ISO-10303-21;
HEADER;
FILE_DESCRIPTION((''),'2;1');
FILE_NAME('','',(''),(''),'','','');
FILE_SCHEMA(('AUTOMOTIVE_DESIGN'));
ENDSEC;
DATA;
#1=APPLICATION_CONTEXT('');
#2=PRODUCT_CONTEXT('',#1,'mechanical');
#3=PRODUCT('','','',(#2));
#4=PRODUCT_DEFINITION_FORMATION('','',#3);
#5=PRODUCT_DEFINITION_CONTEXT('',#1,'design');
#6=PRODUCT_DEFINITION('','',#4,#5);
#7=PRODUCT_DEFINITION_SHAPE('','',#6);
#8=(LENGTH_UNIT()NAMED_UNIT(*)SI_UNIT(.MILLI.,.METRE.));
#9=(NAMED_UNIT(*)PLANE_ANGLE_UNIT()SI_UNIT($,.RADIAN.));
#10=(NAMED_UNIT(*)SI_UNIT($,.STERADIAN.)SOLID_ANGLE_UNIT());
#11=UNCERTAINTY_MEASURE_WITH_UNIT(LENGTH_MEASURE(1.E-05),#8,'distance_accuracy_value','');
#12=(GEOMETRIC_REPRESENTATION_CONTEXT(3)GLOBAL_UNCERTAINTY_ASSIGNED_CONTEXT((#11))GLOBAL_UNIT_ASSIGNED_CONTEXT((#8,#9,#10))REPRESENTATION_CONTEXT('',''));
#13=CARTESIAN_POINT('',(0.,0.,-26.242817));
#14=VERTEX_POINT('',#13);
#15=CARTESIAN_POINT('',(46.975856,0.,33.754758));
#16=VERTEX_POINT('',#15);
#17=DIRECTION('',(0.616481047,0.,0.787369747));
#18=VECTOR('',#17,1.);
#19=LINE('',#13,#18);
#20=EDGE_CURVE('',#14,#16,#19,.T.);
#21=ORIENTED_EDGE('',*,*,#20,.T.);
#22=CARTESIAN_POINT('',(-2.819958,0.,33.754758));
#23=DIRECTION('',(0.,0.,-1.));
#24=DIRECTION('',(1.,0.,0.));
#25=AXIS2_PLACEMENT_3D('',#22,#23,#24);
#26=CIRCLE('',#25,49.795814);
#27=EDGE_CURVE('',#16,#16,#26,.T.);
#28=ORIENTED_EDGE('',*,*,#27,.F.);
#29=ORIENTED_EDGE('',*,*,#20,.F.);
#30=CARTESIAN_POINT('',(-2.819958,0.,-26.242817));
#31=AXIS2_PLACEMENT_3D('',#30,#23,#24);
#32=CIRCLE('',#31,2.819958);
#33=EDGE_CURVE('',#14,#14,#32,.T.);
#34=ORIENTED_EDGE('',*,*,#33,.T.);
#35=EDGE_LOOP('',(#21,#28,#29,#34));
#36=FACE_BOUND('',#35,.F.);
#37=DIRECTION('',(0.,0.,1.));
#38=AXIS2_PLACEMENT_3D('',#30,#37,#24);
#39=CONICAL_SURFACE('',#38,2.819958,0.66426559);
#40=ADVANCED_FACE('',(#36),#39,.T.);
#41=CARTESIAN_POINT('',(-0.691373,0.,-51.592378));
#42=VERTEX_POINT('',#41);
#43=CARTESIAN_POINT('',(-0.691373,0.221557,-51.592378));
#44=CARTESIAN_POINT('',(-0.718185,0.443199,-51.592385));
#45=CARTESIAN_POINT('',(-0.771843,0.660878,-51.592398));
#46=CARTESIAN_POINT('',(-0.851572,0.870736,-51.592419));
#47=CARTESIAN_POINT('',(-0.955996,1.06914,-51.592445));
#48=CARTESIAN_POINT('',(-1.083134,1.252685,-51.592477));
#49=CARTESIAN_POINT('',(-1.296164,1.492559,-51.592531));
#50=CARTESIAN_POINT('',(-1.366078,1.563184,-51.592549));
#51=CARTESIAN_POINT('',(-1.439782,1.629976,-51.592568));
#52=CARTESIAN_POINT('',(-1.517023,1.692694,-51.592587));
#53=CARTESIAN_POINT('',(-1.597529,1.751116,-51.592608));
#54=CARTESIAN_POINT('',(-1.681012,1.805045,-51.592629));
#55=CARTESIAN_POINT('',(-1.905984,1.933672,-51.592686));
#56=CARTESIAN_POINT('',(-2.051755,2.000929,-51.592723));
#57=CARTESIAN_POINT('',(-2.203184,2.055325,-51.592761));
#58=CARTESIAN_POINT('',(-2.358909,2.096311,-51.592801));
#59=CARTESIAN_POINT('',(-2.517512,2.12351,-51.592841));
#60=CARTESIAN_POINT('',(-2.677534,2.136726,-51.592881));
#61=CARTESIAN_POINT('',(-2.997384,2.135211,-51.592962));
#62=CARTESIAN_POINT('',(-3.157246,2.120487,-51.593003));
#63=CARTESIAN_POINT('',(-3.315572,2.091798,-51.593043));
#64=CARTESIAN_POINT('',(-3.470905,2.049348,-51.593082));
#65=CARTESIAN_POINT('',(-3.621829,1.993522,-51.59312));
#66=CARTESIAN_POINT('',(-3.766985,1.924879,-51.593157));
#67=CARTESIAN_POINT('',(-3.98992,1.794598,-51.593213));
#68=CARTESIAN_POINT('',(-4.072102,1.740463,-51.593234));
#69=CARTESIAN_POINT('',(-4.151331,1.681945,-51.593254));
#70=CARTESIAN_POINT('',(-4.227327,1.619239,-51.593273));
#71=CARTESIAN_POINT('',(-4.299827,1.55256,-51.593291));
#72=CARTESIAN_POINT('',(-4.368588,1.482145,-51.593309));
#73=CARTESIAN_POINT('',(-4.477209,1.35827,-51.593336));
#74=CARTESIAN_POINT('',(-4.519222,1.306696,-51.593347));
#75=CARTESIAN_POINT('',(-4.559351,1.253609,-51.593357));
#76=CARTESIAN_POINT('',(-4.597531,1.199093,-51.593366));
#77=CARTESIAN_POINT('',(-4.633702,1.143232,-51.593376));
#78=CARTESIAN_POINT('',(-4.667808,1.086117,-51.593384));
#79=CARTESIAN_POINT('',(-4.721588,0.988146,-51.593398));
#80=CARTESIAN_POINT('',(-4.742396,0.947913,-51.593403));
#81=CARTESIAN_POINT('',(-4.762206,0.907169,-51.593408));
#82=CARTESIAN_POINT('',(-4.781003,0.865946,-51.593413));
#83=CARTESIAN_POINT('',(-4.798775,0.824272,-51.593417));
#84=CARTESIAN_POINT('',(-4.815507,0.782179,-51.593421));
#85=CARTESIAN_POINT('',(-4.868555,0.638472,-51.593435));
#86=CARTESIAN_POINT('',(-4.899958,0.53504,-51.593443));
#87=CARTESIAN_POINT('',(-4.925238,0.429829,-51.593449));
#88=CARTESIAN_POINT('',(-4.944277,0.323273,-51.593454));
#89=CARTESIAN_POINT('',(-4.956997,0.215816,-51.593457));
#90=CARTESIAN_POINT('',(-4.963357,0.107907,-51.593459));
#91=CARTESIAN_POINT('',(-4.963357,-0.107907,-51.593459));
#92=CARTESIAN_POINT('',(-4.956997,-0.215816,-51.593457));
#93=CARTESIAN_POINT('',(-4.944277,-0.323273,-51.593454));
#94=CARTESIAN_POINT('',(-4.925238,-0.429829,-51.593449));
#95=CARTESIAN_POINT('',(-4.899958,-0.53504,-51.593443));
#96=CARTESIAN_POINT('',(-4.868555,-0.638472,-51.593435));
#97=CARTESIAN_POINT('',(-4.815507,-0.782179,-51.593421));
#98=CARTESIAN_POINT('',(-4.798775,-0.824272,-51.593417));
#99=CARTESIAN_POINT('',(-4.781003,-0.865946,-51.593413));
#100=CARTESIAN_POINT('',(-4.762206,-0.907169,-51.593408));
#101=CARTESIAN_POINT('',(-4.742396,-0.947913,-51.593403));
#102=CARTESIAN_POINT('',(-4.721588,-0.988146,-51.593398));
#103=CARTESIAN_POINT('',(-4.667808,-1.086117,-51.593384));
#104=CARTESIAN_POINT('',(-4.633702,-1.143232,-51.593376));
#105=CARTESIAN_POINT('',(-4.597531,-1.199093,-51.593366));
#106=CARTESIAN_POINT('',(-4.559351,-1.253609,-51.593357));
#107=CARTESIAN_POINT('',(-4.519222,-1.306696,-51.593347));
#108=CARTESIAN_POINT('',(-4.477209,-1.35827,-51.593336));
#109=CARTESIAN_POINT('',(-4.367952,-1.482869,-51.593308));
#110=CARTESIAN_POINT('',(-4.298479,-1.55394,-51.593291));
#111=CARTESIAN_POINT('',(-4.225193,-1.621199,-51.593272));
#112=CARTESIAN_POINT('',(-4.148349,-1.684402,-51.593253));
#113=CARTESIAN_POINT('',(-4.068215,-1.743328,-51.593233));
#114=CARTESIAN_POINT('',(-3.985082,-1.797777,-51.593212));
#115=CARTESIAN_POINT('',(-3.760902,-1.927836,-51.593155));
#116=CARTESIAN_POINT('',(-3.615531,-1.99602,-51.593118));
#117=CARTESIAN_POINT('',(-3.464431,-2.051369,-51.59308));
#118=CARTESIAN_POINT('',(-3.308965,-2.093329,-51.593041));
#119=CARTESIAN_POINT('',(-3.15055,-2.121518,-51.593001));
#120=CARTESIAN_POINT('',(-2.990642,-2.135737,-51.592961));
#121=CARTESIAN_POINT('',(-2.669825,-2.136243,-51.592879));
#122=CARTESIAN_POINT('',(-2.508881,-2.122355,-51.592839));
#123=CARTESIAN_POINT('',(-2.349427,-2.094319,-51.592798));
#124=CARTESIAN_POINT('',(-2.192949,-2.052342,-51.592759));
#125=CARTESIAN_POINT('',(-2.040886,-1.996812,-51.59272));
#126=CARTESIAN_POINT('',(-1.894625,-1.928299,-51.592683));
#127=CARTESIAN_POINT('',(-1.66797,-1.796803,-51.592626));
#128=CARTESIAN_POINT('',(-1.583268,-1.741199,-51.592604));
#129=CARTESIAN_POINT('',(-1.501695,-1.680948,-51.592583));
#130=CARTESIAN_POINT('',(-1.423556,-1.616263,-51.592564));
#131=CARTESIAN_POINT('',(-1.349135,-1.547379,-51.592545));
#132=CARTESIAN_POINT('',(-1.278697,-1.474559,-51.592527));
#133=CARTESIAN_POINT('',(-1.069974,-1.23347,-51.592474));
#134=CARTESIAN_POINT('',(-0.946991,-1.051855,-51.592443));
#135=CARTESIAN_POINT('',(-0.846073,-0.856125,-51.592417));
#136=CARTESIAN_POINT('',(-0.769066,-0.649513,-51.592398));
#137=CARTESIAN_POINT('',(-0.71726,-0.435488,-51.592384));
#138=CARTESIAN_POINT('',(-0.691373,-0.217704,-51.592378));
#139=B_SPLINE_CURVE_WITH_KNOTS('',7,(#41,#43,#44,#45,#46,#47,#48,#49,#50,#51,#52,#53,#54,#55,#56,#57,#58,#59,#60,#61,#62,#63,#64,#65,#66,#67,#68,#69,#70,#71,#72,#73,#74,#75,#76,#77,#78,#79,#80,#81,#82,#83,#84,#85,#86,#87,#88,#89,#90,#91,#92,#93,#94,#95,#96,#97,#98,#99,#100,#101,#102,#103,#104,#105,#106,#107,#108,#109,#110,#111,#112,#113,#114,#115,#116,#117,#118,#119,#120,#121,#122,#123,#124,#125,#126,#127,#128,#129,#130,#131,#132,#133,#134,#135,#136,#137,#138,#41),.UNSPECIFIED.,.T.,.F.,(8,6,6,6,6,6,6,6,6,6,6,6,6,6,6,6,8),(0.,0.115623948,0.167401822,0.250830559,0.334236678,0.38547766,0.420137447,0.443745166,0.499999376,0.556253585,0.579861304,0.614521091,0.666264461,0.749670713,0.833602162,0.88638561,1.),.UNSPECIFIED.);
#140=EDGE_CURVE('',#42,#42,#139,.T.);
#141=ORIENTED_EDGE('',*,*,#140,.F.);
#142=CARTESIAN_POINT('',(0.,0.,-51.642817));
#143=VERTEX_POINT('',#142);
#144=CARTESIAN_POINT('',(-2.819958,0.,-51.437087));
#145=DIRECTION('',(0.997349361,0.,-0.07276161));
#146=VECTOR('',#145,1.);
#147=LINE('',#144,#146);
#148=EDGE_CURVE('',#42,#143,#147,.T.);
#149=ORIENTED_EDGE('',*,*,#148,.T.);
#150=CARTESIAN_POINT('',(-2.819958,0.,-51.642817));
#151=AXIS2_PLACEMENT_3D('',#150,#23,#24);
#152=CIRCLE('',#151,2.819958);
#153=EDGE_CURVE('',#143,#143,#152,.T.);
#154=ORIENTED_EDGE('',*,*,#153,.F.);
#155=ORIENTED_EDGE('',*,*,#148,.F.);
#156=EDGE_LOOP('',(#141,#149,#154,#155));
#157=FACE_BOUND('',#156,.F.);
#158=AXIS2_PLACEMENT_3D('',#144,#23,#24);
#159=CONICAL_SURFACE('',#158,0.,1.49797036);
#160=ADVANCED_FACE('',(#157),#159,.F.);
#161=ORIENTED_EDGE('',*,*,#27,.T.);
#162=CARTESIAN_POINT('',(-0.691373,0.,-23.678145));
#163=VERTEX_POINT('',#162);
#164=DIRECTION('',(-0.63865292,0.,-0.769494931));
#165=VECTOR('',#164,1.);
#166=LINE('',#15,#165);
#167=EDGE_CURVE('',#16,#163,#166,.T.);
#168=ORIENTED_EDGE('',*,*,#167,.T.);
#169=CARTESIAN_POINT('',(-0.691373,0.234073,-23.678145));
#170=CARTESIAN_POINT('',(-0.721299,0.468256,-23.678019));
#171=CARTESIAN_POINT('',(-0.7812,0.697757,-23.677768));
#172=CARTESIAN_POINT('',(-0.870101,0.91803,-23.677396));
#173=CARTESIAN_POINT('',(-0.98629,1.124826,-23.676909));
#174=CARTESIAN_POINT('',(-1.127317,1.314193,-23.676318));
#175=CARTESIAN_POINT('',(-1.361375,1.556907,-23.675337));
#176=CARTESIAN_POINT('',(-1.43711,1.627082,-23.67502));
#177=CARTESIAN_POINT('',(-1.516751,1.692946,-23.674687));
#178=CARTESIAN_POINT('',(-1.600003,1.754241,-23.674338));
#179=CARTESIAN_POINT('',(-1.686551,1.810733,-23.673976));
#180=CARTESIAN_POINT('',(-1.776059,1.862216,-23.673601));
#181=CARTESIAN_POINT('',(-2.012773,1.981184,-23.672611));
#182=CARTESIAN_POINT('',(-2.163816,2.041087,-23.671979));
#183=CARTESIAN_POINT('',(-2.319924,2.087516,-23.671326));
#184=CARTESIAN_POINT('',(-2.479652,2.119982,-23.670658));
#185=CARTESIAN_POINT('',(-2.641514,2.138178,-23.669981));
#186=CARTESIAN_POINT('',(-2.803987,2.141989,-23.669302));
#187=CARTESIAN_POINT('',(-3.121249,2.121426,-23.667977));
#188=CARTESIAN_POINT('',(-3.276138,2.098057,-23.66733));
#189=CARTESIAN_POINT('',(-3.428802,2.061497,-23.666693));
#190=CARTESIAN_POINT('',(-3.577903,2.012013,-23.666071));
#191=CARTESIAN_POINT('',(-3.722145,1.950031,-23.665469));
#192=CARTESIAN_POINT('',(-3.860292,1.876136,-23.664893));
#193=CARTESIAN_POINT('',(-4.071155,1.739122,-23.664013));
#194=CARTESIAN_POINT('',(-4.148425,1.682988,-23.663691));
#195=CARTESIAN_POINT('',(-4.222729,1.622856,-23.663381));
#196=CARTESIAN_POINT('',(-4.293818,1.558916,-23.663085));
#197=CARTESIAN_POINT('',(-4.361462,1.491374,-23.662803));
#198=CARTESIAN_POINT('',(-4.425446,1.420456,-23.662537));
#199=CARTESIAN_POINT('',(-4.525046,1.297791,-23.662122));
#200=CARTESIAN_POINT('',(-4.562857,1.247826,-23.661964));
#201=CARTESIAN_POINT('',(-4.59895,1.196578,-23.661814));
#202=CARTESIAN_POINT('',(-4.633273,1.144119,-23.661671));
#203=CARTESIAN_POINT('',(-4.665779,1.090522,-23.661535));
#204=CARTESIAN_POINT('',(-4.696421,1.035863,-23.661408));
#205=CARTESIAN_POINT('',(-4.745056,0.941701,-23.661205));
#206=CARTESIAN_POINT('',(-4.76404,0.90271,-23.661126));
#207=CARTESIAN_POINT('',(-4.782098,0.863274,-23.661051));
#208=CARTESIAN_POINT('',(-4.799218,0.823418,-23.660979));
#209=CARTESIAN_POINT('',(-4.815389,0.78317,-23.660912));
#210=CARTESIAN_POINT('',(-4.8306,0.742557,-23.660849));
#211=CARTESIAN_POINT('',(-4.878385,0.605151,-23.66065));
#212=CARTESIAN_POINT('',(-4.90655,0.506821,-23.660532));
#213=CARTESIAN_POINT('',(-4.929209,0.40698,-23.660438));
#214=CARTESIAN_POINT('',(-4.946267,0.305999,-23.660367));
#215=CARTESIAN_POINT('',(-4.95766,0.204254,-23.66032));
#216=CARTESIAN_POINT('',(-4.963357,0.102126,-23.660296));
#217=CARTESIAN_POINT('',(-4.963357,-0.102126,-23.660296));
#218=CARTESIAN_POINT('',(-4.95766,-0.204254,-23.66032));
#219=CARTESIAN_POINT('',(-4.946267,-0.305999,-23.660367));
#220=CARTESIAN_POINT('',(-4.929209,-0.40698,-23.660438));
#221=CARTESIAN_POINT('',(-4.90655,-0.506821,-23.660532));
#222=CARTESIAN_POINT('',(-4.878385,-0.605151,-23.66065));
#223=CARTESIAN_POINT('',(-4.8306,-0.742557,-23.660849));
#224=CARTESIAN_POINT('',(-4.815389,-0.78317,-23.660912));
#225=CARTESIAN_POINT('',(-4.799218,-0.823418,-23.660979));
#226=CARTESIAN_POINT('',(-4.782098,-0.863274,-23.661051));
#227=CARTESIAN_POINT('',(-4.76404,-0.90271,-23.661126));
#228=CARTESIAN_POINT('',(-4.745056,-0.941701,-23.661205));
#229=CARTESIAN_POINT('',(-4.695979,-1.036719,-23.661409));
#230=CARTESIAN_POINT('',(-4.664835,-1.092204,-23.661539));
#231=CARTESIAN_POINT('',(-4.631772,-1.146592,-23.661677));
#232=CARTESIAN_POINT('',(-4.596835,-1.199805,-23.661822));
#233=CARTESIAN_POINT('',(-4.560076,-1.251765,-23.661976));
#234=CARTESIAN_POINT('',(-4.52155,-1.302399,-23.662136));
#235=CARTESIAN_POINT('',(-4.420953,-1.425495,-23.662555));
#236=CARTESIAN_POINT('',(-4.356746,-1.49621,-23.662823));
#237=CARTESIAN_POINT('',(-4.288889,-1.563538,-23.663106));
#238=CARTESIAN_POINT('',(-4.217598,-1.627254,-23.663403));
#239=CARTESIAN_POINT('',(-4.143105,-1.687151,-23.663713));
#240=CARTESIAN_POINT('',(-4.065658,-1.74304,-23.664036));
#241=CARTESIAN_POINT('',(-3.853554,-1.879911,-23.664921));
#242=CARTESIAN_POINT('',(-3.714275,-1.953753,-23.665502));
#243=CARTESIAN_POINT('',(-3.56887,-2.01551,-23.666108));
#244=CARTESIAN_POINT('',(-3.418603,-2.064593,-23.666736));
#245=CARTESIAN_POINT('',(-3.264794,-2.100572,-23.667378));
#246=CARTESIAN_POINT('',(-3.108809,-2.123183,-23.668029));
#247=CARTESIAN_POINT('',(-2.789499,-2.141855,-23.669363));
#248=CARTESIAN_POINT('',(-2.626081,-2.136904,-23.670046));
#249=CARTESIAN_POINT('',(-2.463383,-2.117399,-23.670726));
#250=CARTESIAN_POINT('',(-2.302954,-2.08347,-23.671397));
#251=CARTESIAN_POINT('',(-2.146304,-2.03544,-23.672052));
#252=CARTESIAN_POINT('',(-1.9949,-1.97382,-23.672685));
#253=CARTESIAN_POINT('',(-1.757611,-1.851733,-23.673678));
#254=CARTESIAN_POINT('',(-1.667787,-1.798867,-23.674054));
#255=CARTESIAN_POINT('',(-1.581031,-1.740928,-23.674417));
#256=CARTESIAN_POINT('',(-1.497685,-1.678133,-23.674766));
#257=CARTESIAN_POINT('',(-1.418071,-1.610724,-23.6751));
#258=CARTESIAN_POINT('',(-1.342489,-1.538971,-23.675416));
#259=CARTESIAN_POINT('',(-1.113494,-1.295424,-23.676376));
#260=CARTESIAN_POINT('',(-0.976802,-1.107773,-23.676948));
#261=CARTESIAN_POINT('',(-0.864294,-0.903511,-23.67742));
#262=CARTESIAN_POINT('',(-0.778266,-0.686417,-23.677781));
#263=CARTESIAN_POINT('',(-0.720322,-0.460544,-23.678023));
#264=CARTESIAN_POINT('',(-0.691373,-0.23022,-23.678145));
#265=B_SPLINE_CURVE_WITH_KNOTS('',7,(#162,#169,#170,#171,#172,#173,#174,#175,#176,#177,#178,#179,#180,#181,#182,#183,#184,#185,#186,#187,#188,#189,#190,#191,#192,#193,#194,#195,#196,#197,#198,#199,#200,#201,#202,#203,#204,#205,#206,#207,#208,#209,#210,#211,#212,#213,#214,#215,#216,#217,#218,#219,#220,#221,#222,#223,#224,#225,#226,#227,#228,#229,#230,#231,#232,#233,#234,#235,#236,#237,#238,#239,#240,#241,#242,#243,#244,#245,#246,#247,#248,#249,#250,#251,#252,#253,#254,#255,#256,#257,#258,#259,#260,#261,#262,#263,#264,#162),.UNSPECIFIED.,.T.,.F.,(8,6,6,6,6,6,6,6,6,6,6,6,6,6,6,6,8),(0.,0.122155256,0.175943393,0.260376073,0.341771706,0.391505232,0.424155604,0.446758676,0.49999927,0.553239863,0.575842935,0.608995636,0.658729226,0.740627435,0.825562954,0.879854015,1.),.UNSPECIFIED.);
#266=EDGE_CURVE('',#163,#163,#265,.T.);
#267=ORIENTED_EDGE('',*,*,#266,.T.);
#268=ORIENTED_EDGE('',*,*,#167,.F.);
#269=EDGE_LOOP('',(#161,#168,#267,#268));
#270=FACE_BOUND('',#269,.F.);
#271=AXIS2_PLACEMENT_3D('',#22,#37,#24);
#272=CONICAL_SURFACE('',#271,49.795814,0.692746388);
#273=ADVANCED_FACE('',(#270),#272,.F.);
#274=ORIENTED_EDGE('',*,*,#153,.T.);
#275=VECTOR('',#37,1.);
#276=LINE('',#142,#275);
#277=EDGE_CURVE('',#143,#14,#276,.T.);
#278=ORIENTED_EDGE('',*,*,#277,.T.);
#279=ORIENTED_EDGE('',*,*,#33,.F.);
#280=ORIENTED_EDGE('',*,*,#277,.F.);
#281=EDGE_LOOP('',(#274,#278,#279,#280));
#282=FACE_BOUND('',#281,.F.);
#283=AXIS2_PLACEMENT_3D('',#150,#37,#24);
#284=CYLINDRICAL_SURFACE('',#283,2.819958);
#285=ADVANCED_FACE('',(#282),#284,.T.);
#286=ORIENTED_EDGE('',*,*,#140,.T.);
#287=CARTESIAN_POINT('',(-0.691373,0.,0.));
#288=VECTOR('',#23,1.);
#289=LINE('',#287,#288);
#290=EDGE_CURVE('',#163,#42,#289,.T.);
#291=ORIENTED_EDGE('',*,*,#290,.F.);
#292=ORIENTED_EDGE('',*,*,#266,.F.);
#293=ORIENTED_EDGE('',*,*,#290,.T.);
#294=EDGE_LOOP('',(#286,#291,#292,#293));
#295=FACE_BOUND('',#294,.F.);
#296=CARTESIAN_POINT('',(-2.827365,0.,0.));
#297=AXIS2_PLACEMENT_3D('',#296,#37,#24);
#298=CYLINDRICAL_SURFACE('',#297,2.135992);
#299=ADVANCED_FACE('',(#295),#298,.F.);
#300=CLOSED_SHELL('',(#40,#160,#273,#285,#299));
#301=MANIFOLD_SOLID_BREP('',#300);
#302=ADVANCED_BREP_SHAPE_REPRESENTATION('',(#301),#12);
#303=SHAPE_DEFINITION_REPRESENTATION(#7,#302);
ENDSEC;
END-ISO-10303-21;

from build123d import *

# Parameters (mm, degrees)
F2_R     = 2.135992
F3_DEPTH = 65.786


with BuildPart() as f1:
    # F0 (on Front) → F1 (revolve)
    with BuildSketch(Plane.XZ):
        Polygon((-2.819958, -51.437087), (0, -51.642817), (0, -26.242817), (46.975856, 33.754758), (-2.819958, -26.242817), align=None)
    revolve(axis=Axis((-2.819958, 0, -38.839952), (0, 0, -1)))

    # F2 (on Top) → F3 (cut)
    with BuildSketch(Plane.XY):
        with Locations((-2.827365, 0)):
            Circle(F2_R)
    extrude(amount=-F3_DEPTH, mode=Mode.SUBTRACT)


solid = f1.part
